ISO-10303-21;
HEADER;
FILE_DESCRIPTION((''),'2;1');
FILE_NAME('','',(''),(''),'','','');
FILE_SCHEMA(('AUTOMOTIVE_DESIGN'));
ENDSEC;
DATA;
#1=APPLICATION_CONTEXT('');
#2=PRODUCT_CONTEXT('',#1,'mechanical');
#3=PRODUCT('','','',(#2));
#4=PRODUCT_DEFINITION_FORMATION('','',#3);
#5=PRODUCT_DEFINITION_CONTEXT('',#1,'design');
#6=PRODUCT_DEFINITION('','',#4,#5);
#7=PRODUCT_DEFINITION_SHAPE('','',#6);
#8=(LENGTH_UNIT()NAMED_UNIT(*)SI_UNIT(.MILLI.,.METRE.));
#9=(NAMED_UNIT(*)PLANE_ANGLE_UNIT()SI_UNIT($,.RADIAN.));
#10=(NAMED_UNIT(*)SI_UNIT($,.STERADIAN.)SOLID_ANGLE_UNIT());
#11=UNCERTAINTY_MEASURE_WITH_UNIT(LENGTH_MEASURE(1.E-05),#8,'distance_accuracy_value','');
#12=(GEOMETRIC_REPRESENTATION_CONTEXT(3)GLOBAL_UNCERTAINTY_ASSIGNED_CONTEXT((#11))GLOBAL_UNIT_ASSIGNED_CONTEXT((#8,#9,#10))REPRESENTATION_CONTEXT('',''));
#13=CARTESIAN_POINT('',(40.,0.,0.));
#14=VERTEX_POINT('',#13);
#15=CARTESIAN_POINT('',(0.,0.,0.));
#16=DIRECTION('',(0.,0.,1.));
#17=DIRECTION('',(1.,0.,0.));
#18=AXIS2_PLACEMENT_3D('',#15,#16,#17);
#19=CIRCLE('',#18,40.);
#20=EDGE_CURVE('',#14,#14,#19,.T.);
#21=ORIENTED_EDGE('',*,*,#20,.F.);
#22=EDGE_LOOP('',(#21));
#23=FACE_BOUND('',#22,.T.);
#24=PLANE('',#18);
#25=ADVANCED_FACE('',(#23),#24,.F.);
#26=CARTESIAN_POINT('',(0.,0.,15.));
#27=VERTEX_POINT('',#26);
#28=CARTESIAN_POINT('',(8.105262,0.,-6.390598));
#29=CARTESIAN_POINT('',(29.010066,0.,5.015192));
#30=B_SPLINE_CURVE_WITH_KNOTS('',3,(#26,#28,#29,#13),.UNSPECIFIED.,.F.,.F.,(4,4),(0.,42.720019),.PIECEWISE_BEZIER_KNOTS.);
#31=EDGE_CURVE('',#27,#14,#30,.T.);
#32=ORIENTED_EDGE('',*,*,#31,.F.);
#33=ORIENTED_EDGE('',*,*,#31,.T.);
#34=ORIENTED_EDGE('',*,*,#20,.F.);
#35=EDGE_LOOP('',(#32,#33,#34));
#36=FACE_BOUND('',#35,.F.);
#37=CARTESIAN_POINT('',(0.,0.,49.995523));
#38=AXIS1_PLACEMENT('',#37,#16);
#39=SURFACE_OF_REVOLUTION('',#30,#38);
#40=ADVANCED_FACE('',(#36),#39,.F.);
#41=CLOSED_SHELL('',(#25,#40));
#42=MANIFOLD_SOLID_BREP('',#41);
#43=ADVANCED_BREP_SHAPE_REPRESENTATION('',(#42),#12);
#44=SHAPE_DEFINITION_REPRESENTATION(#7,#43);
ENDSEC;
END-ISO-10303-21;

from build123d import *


with BuildPart() as f1:
    # F0 (on Front) → F1 (revolve)
    with BuildSketch(Plane.XZ):
        with BuildLine():
            add(Edge.make_bspline(
                [(0, 15), (8.105262, -6.390598), (29.010066, 5.015192), (40, 0)],
                knots=[0, 0, 0, 0, 42.720019, 42.720019, 42.720019, 42.720019], degree=3))
            Line((0, 15), (0, 0))
            Line((0, 0), (40, 0))
        make_face()
    revolve(axis=Axis((0, 0, 49.995523), (0, 0, 1)))


solid = f1.part
